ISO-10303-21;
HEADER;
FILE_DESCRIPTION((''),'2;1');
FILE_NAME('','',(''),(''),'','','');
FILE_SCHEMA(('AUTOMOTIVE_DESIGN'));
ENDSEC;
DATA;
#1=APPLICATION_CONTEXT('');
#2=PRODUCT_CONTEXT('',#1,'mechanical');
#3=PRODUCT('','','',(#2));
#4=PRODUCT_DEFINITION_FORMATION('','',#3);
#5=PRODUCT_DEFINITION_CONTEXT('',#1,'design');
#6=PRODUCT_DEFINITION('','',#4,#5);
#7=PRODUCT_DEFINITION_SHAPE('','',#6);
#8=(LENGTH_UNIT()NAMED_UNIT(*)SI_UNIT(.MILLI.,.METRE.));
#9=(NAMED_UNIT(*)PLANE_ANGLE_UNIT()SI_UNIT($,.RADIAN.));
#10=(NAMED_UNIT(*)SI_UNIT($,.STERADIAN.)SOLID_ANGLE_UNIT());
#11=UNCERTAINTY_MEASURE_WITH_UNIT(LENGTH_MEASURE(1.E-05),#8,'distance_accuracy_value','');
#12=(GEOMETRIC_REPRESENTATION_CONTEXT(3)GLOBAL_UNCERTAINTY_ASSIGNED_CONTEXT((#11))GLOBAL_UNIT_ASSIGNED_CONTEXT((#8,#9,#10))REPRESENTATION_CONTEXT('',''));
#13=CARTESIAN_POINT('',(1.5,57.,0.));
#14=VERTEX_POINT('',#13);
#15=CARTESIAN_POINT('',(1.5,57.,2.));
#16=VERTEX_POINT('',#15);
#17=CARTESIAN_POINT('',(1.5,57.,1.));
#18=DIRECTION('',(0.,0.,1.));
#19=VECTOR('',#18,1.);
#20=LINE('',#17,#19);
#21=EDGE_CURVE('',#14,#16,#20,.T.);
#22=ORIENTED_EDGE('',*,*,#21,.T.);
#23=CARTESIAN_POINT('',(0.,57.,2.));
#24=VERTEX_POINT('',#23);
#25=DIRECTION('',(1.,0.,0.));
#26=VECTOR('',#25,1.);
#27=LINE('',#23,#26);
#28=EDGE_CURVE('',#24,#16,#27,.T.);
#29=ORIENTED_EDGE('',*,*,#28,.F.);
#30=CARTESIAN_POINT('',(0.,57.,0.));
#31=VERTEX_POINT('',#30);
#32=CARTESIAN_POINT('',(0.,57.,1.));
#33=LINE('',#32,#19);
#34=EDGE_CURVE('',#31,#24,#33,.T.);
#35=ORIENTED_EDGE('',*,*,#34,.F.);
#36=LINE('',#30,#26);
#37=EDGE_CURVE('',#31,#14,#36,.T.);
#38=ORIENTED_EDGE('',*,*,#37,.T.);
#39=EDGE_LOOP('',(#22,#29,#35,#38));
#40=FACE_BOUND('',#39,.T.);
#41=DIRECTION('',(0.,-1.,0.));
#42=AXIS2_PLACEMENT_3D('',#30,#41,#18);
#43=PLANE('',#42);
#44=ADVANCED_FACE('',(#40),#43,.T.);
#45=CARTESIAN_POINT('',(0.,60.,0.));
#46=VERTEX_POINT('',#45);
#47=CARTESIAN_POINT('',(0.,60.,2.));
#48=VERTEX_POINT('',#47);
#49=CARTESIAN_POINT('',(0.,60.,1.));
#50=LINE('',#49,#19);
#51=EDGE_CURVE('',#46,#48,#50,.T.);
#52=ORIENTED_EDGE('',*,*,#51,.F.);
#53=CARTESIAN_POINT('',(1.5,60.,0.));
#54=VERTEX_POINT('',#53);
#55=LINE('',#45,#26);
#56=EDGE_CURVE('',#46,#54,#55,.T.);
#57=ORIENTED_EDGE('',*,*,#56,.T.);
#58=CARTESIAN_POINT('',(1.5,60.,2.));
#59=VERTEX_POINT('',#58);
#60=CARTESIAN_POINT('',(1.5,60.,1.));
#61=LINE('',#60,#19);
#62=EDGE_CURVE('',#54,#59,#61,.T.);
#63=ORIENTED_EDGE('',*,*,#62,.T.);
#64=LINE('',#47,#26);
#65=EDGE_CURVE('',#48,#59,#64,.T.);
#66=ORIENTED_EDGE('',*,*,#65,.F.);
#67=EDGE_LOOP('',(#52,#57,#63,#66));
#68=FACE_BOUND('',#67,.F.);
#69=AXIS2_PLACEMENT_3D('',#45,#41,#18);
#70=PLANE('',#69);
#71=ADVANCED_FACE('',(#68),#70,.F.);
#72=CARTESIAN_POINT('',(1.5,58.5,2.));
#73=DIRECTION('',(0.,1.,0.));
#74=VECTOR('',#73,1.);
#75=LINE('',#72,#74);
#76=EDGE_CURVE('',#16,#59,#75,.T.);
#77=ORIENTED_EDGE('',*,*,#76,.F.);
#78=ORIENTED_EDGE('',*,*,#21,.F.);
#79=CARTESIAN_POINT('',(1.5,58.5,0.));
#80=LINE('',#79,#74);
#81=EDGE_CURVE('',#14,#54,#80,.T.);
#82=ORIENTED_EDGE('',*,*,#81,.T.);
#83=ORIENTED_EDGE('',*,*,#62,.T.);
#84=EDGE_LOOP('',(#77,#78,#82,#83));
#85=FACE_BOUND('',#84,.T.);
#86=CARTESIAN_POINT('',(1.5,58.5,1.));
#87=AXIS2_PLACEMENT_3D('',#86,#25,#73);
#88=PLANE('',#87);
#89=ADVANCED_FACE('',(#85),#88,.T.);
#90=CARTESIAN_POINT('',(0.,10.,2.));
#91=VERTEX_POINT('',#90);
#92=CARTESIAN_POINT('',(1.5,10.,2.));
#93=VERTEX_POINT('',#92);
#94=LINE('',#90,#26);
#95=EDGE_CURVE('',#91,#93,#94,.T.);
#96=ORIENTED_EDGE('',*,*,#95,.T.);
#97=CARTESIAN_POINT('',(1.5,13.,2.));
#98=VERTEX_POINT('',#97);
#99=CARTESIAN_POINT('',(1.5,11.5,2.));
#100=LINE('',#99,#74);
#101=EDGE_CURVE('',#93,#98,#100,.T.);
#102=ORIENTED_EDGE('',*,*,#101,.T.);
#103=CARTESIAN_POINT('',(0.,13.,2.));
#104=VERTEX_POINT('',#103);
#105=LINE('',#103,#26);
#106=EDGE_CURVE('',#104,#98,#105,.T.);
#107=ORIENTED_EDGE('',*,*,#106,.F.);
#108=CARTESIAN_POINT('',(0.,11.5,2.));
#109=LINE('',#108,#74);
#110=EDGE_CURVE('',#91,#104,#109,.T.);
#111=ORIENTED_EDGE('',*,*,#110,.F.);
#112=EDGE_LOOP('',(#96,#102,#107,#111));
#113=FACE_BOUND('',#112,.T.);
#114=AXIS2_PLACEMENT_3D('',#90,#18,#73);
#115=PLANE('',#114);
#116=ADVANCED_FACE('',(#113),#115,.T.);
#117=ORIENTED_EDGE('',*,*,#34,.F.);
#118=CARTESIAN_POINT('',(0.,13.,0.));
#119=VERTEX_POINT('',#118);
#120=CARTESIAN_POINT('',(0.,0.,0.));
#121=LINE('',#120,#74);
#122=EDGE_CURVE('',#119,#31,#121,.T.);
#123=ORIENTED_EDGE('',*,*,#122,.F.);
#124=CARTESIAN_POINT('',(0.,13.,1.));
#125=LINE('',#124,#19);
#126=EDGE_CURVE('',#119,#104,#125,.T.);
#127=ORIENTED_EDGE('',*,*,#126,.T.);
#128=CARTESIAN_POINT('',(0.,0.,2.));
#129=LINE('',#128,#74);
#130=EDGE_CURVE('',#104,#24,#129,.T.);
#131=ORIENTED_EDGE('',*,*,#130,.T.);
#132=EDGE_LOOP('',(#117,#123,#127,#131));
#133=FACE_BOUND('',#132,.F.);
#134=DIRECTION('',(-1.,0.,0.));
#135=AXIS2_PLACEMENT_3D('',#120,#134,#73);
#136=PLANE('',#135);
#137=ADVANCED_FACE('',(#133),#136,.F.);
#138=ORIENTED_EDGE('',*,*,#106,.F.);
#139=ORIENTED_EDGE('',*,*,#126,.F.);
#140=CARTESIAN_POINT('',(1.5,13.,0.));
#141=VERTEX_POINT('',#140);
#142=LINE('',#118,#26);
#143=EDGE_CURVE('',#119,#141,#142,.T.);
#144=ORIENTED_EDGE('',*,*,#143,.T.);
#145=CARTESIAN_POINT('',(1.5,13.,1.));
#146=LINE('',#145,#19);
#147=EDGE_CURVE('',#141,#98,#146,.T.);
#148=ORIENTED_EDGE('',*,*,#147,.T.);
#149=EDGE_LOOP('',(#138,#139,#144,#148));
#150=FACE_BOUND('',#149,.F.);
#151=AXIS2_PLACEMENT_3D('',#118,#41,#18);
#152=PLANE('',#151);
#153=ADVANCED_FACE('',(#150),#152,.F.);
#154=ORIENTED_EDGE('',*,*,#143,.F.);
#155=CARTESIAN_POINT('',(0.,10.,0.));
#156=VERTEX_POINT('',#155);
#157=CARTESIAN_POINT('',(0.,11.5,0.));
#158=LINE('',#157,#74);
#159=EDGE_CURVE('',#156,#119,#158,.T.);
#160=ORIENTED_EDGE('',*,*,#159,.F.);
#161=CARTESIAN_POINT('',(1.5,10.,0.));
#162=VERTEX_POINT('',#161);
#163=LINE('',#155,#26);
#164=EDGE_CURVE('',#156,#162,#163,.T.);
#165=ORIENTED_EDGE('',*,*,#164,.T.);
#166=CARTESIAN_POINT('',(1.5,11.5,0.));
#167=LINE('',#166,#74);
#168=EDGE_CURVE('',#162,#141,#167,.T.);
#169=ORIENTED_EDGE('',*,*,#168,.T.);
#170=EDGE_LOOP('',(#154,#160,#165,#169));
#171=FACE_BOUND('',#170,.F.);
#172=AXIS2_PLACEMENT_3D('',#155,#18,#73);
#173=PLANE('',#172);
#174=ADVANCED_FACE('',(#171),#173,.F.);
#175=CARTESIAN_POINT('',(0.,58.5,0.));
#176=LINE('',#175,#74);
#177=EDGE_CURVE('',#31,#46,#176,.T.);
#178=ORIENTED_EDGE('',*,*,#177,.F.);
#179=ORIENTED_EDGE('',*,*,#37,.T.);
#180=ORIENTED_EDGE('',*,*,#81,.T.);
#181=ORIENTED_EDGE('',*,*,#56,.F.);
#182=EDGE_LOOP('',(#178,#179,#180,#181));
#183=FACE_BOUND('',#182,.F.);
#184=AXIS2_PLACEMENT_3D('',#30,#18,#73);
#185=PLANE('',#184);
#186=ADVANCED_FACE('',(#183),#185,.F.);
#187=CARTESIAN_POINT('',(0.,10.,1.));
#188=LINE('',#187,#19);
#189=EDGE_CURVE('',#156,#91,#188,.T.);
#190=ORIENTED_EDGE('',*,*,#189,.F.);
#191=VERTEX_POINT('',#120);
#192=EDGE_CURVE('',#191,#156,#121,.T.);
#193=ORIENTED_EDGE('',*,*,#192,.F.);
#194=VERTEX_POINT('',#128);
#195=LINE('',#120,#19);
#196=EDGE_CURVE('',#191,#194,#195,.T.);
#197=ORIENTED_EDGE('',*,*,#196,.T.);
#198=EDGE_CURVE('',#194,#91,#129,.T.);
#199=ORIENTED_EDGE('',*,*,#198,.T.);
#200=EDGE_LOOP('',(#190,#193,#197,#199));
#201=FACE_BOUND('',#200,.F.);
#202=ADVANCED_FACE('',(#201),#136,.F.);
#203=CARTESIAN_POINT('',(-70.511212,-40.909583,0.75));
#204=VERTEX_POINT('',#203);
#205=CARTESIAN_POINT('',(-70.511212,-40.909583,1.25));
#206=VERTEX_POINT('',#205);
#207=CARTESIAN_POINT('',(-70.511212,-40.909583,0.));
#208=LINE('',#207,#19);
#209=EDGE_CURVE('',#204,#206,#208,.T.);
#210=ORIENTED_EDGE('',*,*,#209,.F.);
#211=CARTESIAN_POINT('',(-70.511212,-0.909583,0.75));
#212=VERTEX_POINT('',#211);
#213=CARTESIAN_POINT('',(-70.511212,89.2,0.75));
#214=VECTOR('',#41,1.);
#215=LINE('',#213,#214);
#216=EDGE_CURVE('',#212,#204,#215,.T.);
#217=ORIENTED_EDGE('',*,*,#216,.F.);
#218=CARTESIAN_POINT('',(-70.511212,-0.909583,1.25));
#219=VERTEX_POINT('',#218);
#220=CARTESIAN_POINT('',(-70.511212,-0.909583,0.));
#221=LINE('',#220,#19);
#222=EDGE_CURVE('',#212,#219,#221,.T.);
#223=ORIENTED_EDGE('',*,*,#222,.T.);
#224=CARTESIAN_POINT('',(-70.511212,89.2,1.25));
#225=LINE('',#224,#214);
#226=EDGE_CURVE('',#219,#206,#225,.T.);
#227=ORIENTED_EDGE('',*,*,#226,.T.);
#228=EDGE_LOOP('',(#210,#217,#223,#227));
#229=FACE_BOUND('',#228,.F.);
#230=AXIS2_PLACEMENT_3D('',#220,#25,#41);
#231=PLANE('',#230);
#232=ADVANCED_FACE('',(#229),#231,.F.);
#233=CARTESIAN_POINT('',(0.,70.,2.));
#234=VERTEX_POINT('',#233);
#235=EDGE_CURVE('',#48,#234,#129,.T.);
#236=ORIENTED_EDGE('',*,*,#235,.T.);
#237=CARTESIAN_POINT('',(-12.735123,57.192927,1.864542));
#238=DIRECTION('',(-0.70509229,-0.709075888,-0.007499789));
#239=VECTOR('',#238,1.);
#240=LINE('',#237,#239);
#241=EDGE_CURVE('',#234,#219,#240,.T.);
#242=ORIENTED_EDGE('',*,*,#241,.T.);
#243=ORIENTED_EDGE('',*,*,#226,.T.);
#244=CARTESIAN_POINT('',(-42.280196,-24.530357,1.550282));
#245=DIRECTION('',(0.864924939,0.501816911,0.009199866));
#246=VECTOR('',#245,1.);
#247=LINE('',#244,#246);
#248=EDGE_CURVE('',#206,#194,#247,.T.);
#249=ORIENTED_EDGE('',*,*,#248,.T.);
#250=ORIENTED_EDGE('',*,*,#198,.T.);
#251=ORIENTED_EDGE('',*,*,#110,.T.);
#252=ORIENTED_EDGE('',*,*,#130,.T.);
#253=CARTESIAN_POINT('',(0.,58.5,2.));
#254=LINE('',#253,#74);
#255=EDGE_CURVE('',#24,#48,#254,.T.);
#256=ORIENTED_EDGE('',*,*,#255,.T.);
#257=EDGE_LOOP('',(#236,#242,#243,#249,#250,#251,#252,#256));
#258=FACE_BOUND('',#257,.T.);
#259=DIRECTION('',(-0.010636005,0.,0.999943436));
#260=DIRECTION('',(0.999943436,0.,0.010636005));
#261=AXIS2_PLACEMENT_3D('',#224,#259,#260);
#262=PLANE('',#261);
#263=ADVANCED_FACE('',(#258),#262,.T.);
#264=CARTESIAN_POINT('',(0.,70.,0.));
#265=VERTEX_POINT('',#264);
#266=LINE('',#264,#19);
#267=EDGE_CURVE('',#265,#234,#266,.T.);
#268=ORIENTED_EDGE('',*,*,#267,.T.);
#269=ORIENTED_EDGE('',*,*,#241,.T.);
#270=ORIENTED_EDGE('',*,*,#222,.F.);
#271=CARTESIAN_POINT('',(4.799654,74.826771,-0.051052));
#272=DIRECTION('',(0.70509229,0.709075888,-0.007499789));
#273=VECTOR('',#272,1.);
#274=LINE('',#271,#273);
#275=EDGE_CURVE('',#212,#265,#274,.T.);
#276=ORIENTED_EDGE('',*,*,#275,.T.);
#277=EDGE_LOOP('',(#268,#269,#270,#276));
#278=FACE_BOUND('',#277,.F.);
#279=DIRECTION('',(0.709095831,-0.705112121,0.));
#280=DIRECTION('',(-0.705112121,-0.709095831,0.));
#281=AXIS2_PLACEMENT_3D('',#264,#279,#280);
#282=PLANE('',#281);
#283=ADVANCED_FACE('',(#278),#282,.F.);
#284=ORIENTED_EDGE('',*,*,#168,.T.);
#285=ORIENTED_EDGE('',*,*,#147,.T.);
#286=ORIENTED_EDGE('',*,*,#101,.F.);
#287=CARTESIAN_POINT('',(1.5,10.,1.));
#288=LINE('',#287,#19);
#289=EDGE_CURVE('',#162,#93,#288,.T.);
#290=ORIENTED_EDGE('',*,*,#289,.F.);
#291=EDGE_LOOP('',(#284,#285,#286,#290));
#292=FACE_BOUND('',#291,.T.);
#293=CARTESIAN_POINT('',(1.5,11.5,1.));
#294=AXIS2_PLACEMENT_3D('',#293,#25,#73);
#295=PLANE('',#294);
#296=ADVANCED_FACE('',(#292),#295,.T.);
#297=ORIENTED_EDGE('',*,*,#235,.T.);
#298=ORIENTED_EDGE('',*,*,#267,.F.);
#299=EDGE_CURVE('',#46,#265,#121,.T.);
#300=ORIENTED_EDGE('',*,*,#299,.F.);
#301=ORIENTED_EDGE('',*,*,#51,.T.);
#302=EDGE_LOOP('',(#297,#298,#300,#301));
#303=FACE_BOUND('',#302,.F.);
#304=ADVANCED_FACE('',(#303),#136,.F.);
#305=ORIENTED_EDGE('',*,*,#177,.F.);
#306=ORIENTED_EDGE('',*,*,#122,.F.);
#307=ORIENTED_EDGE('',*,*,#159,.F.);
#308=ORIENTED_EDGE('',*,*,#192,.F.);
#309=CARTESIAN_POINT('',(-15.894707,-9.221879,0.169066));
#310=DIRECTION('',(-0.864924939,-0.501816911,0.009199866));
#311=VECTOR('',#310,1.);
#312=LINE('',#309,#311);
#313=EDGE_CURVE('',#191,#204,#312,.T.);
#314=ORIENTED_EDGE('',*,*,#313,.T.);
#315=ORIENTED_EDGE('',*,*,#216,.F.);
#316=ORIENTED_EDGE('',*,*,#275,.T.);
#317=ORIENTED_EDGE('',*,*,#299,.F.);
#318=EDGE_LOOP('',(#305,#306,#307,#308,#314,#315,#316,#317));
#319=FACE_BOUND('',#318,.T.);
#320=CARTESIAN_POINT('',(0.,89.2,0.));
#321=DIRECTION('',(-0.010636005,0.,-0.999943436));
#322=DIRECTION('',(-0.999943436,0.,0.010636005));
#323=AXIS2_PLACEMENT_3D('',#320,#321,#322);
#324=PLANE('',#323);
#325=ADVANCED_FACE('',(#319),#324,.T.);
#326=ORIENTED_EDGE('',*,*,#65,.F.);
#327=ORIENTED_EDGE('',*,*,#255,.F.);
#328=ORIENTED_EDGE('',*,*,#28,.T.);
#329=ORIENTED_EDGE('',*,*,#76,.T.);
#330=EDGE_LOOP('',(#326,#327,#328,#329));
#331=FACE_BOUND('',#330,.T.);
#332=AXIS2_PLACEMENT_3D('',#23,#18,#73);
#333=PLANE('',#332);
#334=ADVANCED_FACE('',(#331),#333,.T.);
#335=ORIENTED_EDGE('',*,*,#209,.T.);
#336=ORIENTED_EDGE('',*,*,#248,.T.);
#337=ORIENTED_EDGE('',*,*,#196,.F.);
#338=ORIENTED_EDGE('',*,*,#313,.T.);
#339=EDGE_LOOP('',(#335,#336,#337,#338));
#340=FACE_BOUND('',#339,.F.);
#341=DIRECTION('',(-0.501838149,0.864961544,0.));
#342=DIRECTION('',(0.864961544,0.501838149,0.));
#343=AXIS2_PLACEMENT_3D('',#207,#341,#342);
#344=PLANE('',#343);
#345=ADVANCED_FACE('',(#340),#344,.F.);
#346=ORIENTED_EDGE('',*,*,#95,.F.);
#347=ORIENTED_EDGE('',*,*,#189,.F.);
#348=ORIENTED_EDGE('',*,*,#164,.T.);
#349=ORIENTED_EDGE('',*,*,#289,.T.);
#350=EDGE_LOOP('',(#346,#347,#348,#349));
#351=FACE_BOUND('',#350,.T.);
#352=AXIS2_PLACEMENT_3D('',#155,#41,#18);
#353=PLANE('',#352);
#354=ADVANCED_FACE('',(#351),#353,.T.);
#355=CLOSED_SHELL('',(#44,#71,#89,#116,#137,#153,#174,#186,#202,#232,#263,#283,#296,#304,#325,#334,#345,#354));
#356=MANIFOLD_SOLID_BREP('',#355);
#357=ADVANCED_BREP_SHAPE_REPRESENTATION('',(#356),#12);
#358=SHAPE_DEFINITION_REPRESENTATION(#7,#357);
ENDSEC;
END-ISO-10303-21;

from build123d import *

# Parameters (mm, degrees)
F1_DEPTH = 2
F4_DEPTH = 130.110583
F5_W     = 3
F5_H     = 2
F6_DEPTH = 1.5


with BuildPart() as f1:
    # F0 (on Top) → F1 (new body)
    with BuildSketch(Plane.XY):
        Polygon((-70.511212, -40.909583), (0, 0), (0, 70), (-70.511212, -0.909583), align=None)
    extrude(amount=F1_DEPTH)

    # F3 (on offset) → F4 (cut, through all)
    with BuildSketch(Plane.XZ.offset(-89.2)):
        Polygon((-70.511212, 0), (0, 0), (-70.511212, 0.75), align=None)
        Polygon((-70.511212, 1.25), (0, 2), (-70.511212, 2), align=None)
    extrude(amount=F4_DEPTH, mode=Mode.SUBTRACT)

    # F5 (on face) → F6 (join)
    with BuildSketch(Plane.YZ):
        with Locations((58.5, 1)):
            Rectangle(F5_W, F5_H)
        with Locations((11.5, 1)):
            Rectangle(F5_W, F5_H)
    extrude(amount=F6_DEPTH)


solid = f1.part
